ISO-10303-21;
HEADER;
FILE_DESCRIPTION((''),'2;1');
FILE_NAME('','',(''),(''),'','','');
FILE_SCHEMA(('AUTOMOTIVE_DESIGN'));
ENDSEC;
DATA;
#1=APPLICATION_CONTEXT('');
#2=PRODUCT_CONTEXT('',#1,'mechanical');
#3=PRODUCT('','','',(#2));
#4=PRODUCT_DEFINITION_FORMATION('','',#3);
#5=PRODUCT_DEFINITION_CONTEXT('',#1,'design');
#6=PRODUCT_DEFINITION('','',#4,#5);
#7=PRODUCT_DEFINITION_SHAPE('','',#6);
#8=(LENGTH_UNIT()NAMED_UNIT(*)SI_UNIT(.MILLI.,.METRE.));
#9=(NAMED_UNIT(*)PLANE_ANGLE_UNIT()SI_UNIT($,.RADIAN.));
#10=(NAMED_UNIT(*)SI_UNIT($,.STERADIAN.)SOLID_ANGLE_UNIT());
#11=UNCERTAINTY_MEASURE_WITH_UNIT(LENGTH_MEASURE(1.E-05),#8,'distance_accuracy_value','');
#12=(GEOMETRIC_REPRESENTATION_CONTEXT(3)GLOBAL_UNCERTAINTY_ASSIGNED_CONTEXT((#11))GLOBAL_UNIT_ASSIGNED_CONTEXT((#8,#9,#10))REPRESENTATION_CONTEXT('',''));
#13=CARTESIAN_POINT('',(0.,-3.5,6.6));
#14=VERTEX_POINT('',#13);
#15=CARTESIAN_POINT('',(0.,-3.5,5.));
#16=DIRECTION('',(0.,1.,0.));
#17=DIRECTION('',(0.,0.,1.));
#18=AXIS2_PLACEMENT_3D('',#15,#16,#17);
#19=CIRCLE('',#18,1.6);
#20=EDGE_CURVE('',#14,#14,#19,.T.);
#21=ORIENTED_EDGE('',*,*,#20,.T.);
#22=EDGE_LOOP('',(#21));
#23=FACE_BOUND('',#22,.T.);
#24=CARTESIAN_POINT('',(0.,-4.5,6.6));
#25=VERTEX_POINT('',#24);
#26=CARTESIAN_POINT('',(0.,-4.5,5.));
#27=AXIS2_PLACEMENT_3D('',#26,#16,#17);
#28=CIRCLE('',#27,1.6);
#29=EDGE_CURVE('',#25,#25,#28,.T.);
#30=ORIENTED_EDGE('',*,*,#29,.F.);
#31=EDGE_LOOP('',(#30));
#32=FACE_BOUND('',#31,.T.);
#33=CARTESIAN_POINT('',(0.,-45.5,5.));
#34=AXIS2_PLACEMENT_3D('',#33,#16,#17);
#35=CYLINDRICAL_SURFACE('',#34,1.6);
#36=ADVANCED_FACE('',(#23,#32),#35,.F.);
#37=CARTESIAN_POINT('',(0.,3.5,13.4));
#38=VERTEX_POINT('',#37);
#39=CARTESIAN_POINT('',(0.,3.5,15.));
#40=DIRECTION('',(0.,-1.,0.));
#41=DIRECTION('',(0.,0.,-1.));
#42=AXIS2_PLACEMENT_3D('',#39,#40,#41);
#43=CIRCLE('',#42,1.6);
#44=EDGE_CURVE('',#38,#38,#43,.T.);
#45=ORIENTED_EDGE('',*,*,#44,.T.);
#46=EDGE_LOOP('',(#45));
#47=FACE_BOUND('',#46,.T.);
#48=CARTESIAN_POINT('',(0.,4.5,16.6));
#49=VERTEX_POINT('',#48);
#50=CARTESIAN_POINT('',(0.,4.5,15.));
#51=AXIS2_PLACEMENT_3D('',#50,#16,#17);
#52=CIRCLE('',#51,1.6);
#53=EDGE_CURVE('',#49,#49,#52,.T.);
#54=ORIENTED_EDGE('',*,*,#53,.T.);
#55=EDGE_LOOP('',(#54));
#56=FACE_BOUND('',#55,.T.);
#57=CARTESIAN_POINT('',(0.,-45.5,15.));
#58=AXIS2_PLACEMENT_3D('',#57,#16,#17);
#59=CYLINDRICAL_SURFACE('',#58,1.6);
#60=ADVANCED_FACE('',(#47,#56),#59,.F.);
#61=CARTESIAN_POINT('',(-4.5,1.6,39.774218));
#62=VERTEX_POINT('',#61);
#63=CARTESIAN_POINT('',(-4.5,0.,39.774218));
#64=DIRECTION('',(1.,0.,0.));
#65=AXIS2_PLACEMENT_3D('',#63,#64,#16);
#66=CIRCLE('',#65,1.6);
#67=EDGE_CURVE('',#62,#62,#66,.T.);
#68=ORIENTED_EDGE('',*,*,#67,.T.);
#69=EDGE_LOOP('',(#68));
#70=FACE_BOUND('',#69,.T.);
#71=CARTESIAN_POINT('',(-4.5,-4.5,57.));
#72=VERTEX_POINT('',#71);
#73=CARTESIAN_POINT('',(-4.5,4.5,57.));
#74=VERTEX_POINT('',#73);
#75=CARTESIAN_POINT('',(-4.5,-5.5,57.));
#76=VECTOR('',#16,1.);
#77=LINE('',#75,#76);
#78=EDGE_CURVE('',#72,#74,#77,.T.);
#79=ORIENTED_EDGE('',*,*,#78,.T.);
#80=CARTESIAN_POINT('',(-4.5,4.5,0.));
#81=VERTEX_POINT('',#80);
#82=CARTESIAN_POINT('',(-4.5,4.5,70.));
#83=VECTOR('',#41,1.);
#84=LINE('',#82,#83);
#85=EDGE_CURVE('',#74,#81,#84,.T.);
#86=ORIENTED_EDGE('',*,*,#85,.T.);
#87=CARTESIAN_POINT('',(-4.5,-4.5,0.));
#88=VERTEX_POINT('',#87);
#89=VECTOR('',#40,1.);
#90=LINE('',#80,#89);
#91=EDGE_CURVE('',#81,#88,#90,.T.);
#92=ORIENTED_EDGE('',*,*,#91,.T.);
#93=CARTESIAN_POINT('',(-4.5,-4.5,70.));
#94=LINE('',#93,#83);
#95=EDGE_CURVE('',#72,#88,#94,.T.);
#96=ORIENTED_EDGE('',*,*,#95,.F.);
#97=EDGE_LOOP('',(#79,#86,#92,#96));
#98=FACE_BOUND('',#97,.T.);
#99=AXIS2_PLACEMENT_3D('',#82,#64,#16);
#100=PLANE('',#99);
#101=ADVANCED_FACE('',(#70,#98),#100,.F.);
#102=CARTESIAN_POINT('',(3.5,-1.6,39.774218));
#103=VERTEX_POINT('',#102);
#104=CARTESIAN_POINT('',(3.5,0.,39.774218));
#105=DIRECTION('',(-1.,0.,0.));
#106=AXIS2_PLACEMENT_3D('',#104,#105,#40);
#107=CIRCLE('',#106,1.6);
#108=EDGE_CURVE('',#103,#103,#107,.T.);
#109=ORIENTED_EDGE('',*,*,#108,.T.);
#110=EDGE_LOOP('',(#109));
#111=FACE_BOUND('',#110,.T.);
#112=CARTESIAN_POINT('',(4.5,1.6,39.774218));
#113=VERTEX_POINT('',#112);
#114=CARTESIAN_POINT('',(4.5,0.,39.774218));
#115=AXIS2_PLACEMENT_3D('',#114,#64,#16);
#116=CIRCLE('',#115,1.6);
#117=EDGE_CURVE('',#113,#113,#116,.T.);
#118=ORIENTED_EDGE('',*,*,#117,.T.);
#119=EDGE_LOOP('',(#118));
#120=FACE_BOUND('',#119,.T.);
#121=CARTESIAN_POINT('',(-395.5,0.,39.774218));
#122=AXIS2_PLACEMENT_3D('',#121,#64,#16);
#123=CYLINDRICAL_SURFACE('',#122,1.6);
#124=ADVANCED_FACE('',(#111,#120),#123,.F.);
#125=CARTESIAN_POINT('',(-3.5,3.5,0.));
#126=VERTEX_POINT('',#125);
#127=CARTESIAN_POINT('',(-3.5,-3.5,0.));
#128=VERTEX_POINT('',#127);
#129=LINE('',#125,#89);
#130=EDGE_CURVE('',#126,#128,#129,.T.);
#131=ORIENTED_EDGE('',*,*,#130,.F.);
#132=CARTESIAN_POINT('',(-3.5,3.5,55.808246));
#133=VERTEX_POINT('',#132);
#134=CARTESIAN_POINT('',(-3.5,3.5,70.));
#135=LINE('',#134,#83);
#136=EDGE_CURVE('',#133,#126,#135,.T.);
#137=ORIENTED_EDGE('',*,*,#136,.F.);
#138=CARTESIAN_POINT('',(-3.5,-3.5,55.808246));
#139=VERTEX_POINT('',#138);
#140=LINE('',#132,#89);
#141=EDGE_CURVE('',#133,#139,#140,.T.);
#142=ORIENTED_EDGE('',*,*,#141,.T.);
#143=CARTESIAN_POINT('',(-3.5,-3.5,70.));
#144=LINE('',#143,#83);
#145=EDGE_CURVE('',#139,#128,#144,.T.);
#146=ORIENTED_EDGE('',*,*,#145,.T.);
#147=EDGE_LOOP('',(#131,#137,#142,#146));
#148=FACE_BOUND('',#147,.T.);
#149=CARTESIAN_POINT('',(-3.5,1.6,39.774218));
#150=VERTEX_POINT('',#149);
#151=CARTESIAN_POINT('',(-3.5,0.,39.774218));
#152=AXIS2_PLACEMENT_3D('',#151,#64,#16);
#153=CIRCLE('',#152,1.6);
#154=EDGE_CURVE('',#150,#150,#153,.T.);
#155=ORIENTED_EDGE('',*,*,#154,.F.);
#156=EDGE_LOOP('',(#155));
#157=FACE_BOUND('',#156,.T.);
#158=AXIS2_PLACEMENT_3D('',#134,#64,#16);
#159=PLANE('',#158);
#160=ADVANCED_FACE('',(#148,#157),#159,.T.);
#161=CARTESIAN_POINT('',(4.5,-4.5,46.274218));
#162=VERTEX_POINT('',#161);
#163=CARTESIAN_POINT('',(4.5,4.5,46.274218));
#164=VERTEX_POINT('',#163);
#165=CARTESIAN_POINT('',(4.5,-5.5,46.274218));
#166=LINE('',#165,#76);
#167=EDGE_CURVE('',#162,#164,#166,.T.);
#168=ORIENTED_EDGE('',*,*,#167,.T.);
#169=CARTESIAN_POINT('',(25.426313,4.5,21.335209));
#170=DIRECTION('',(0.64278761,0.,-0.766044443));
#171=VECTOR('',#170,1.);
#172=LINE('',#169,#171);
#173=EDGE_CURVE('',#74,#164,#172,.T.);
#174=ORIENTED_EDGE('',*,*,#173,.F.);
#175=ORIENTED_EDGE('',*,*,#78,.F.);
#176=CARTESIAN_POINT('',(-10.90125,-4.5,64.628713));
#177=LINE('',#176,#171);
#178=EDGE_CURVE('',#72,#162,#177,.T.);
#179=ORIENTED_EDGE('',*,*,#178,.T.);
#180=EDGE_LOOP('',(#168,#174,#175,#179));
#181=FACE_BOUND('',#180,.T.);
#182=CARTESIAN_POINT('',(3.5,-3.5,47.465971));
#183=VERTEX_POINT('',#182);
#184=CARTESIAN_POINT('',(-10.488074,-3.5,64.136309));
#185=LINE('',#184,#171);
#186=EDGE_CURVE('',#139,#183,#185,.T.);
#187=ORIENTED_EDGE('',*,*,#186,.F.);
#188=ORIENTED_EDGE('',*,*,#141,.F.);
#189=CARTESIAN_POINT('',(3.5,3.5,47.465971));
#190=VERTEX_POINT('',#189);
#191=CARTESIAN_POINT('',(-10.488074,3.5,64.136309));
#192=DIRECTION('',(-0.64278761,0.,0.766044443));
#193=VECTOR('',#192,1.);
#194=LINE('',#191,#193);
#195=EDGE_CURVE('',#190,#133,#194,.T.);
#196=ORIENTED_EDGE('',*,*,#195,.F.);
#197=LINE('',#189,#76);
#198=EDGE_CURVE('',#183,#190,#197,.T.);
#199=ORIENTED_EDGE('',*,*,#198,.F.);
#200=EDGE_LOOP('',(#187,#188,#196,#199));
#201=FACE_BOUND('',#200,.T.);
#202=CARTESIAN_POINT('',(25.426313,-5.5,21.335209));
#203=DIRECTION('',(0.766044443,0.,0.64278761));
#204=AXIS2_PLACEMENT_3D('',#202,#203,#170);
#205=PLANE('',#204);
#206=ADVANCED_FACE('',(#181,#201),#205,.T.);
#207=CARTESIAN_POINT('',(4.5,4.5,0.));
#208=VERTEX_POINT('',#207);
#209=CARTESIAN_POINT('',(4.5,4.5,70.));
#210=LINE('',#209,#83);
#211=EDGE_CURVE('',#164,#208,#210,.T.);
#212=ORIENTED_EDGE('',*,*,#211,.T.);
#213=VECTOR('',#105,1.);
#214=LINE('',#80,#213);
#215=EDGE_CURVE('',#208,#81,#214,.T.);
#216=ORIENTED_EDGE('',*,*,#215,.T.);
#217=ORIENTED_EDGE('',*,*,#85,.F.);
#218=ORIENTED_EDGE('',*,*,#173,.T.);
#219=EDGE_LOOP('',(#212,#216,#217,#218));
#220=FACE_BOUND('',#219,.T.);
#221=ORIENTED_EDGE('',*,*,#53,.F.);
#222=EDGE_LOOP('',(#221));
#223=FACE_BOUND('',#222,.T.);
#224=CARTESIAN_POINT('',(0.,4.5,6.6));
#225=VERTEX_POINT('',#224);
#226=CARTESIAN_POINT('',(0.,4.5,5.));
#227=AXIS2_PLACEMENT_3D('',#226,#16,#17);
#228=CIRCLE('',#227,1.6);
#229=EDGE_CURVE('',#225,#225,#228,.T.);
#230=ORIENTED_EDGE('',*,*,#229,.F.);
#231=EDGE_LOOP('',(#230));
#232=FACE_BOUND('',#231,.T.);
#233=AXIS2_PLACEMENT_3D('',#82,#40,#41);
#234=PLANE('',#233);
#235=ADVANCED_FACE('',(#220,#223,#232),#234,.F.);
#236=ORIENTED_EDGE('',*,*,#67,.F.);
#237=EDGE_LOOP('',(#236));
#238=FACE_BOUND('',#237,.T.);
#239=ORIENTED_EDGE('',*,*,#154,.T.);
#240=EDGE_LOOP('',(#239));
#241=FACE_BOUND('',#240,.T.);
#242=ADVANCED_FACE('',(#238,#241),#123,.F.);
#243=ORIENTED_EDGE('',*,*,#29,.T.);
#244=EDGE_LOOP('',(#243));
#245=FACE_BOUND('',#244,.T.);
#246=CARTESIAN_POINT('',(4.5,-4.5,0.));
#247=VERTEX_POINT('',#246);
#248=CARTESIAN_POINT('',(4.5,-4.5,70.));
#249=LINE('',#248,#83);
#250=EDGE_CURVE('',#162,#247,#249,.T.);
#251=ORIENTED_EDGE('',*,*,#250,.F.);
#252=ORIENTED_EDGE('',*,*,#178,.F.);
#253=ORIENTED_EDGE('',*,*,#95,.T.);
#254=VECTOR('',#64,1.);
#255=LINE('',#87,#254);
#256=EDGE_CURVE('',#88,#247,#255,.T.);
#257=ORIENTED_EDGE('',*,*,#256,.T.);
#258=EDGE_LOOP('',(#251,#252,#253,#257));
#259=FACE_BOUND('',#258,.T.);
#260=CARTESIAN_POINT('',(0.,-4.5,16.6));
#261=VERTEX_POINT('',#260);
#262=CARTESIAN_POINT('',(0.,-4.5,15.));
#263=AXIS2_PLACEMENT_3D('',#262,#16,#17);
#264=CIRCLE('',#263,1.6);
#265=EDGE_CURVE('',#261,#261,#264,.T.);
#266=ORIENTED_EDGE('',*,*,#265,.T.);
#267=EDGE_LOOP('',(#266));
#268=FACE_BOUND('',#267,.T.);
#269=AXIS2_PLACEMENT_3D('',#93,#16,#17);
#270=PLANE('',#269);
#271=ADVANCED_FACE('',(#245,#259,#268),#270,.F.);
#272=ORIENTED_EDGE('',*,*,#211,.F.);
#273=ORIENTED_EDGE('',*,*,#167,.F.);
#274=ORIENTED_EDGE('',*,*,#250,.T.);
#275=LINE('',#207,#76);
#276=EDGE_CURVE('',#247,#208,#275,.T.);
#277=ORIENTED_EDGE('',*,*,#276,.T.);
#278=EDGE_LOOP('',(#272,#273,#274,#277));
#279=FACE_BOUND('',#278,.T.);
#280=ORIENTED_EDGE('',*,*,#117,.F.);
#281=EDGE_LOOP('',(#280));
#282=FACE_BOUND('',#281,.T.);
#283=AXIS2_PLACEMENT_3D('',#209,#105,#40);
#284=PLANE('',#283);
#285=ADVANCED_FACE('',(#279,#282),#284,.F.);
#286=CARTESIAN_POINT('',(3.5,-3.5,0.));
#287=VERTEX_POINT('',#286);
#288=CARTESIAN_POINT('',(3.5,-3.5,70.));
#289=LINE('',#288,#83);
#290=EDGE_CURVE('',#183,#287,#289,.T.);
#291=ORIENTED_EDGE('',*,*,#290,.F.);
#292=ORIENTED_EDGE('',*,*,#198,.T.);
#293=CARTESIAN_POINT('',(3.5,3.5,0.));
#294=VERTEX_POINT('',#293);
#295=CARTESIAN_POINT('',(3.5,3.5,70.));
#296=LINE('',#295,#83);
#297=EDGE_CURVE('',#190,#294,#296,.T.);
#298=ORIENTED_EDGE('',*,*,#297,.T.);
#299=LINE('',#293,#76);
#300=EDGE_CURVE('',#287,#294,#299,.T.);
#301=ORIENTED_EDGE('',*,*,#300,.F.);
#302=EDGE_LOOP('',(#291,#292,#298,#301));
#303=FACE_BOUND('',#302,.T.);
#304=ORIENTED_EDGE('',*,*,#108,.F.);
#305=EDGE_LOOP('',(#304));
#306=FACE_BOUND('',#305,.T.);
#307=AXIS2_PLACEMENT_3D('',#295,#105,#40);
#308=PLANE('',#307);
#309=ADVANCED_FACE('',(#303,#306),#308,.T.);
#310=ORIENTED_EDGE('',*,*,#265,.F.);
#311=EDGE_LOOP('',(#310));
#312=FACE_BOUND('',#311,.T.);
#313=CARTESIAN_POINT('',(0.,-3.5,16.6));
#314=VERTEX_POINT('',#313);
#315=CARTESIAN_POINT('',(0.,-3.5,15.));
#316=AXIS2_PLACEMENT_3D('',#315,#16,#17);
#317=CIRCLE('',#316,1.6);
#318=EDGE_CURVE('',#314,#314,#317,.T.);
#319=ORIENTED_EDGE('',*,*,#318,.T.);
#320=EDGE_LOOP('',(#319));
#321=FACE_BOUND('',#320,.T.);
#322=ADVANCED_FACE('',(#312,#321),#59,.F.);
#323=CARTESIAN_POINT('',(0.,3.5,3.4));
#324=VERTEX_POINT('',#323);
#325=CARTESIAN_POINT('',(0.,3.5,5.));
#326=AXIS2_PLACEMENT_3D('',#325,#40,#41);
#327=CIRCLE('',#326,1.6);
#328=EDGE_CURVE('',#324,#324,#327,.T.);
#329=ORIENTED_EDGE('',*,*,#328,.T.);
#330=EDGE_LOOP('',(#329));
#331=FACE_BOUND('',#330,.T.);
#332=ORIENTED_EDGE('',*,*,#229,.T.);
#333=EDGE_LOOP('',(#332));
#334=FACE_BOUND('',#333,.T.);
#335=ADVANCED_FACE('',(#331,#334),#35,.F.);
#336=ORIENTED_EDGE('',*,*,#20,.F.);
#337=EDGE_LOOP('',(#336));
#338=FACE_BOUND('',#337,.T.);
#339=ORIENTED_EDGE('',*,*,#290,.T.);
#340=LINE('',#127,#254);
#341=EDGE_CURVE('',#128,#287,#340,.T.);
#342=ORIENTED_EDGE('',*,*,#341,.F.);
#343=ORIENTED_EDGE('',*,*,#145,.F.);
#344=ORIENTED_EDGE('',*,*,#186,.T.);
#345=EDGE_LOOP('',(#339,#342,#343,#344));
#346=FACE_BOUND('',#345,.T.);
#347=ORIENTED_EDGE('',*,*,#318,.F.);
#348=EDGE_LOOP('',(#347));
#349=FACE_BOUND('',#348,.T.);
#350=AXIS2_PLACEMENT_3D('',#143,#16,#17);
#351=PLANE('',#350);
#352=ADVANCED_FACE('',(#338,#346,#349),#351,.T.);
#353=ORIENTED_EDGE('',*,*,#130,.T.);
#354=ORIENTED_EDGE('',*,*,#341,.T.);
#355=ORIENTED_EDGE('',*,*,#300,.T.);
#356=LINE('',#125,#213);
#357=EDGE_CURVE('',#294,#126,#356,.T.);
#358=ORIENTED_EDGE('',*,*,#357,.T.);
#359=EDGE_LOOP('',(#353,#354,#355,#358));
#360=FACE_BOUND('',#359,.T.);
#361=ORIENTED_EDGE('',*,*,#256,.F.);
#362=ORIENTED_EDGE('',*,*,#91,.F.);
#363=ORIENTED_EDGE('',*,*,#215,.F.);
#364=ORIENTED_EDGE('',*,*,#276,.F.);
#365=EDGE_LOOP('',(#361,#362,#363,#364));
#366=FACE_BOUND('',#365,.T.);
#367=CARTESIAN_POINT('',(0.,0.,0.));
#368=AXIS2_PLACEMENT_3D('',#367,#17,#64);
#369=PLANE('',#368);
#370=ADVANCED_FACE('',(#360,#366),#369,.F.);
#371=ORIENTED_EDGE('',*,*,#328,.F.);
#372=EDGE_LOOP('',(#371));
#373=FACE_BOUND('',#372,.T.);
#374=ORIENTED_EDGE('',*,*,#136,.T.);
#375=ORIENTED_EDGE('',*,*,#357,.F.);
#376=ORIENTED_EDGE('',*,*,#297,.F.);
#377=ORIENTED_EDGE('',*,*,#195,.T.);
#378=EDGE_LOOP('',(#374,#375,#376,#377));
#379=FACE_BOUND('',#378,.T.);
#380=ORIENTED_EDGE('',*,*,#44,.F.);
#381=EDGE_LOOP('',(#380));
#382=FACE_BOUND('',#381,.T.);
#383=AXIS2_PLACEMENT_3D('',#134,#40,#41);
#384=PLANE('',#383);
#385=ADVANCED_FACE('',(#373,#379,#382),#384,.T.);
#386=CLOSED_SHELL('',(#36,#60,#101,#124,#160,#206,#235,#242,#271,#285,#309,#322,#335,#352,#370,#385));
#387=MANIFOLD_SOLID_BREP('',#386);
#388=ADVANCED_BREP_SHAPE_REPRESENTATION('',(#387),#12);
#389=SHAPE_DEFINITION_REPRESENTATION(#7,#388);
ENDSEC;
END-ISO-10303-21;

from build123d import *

# Parameters (mm, degrees)
SKETCH_1_W          = 9
SKETCH_1_H          = 9
SKETCH_1_W_2        = 7
SKETCH_1_H_2        = 7
EXTRUDE_1_DEPTH     = 70
SKETCH_2_R          = 1.6
CUT_EXTRUDE_1_DEPTH = 50
CUT_EXTRUDE_2_DEPTH = 10
SKETCH_4_W          = 9
SKETCH_4_H          = 13
CUT_EXTRUDE_3_DEPTH = 10
SKETCH_5_R          = 1.6
CUT_EXTRUDE_4_DEPTH = 400


with BuildPart() as part:
    # ｽｹｯﾁ1 → ﾎﾞｽ - 押し出し1 (new body)
    with BuildSketch(Plane.XY):
        Rectangle(SKETCH_1_W, SKETCH_1_H)
        Rectangle(SKETCH_1_W_2, SKETCH_1_H_2, mode=Mode.SUBTRACT)
    extrude(amount=EXTRUDE_1_DEPTH)

    # ｽｹｯﾁ2 → ｶｯﾄ - 押し出し1 (cut)
    with BuildSketch(Plane(origin=(0, 4.5, 0), x_dir=(1, 0, 0), z_dir=(0, 1, 0))):
        with Locations((0, -5)):
            Circle(SKETCH_2_R)
        with Locations((0, -15)):
            Circle(SKETCH_2_R)
    extrude(amount=-CUT_EXTRUDE_1_DEPTH, mode=Mode.SUBTRACT)

    # ｽｹｯﾁ3 → ｶｯﾄ - 押し出し2 (cut)
    with BuildSketch(Plane(origin=(0, 4.5, 0), x_dir=(1, 0, 0), z_dir=(0, 1, 0))):
        Polygon((4.5, -46.274217667), (-4.5, -57), (4.5, -57), align=None)
    extrude(amount=-CUT_EXTRUDE_2_DEPTH, mode=Mode.SUBTRACT)

    # ｽｹｯﾁ4 → ｶｯﾄ - 押し出し3 (cut)
    with BuildSketch(Plane(origin=(0, 4.5, 0), x_dir=(1, 0, 0), z_dir=(0, 1, 0))):
        with Locations((0, -63.5)):
            Rectangle(SKETCH_4_W, SKETCH_4_H)
    extrude(amount=-CUT_EXTRUDE_3_DEPTH, mode=Mode.SUBTRACT)

    # ｽｹｯﾁ5 → ｶｯﾄ - 押し出し4 (cut)
    with BuildSketch(Plane(origin=(4.5, 0, 0), x_dir=(0, 0, -1), z_dir=(1, 0, 0))):
        with Locations((-39.774217667, 0)):
            Circle(SKETCH_5_R)
    extrude(amount=-CUT_EXTRUDE_4_DEPTH, mode=Mode.SUBTRACT)


solid = part.part
